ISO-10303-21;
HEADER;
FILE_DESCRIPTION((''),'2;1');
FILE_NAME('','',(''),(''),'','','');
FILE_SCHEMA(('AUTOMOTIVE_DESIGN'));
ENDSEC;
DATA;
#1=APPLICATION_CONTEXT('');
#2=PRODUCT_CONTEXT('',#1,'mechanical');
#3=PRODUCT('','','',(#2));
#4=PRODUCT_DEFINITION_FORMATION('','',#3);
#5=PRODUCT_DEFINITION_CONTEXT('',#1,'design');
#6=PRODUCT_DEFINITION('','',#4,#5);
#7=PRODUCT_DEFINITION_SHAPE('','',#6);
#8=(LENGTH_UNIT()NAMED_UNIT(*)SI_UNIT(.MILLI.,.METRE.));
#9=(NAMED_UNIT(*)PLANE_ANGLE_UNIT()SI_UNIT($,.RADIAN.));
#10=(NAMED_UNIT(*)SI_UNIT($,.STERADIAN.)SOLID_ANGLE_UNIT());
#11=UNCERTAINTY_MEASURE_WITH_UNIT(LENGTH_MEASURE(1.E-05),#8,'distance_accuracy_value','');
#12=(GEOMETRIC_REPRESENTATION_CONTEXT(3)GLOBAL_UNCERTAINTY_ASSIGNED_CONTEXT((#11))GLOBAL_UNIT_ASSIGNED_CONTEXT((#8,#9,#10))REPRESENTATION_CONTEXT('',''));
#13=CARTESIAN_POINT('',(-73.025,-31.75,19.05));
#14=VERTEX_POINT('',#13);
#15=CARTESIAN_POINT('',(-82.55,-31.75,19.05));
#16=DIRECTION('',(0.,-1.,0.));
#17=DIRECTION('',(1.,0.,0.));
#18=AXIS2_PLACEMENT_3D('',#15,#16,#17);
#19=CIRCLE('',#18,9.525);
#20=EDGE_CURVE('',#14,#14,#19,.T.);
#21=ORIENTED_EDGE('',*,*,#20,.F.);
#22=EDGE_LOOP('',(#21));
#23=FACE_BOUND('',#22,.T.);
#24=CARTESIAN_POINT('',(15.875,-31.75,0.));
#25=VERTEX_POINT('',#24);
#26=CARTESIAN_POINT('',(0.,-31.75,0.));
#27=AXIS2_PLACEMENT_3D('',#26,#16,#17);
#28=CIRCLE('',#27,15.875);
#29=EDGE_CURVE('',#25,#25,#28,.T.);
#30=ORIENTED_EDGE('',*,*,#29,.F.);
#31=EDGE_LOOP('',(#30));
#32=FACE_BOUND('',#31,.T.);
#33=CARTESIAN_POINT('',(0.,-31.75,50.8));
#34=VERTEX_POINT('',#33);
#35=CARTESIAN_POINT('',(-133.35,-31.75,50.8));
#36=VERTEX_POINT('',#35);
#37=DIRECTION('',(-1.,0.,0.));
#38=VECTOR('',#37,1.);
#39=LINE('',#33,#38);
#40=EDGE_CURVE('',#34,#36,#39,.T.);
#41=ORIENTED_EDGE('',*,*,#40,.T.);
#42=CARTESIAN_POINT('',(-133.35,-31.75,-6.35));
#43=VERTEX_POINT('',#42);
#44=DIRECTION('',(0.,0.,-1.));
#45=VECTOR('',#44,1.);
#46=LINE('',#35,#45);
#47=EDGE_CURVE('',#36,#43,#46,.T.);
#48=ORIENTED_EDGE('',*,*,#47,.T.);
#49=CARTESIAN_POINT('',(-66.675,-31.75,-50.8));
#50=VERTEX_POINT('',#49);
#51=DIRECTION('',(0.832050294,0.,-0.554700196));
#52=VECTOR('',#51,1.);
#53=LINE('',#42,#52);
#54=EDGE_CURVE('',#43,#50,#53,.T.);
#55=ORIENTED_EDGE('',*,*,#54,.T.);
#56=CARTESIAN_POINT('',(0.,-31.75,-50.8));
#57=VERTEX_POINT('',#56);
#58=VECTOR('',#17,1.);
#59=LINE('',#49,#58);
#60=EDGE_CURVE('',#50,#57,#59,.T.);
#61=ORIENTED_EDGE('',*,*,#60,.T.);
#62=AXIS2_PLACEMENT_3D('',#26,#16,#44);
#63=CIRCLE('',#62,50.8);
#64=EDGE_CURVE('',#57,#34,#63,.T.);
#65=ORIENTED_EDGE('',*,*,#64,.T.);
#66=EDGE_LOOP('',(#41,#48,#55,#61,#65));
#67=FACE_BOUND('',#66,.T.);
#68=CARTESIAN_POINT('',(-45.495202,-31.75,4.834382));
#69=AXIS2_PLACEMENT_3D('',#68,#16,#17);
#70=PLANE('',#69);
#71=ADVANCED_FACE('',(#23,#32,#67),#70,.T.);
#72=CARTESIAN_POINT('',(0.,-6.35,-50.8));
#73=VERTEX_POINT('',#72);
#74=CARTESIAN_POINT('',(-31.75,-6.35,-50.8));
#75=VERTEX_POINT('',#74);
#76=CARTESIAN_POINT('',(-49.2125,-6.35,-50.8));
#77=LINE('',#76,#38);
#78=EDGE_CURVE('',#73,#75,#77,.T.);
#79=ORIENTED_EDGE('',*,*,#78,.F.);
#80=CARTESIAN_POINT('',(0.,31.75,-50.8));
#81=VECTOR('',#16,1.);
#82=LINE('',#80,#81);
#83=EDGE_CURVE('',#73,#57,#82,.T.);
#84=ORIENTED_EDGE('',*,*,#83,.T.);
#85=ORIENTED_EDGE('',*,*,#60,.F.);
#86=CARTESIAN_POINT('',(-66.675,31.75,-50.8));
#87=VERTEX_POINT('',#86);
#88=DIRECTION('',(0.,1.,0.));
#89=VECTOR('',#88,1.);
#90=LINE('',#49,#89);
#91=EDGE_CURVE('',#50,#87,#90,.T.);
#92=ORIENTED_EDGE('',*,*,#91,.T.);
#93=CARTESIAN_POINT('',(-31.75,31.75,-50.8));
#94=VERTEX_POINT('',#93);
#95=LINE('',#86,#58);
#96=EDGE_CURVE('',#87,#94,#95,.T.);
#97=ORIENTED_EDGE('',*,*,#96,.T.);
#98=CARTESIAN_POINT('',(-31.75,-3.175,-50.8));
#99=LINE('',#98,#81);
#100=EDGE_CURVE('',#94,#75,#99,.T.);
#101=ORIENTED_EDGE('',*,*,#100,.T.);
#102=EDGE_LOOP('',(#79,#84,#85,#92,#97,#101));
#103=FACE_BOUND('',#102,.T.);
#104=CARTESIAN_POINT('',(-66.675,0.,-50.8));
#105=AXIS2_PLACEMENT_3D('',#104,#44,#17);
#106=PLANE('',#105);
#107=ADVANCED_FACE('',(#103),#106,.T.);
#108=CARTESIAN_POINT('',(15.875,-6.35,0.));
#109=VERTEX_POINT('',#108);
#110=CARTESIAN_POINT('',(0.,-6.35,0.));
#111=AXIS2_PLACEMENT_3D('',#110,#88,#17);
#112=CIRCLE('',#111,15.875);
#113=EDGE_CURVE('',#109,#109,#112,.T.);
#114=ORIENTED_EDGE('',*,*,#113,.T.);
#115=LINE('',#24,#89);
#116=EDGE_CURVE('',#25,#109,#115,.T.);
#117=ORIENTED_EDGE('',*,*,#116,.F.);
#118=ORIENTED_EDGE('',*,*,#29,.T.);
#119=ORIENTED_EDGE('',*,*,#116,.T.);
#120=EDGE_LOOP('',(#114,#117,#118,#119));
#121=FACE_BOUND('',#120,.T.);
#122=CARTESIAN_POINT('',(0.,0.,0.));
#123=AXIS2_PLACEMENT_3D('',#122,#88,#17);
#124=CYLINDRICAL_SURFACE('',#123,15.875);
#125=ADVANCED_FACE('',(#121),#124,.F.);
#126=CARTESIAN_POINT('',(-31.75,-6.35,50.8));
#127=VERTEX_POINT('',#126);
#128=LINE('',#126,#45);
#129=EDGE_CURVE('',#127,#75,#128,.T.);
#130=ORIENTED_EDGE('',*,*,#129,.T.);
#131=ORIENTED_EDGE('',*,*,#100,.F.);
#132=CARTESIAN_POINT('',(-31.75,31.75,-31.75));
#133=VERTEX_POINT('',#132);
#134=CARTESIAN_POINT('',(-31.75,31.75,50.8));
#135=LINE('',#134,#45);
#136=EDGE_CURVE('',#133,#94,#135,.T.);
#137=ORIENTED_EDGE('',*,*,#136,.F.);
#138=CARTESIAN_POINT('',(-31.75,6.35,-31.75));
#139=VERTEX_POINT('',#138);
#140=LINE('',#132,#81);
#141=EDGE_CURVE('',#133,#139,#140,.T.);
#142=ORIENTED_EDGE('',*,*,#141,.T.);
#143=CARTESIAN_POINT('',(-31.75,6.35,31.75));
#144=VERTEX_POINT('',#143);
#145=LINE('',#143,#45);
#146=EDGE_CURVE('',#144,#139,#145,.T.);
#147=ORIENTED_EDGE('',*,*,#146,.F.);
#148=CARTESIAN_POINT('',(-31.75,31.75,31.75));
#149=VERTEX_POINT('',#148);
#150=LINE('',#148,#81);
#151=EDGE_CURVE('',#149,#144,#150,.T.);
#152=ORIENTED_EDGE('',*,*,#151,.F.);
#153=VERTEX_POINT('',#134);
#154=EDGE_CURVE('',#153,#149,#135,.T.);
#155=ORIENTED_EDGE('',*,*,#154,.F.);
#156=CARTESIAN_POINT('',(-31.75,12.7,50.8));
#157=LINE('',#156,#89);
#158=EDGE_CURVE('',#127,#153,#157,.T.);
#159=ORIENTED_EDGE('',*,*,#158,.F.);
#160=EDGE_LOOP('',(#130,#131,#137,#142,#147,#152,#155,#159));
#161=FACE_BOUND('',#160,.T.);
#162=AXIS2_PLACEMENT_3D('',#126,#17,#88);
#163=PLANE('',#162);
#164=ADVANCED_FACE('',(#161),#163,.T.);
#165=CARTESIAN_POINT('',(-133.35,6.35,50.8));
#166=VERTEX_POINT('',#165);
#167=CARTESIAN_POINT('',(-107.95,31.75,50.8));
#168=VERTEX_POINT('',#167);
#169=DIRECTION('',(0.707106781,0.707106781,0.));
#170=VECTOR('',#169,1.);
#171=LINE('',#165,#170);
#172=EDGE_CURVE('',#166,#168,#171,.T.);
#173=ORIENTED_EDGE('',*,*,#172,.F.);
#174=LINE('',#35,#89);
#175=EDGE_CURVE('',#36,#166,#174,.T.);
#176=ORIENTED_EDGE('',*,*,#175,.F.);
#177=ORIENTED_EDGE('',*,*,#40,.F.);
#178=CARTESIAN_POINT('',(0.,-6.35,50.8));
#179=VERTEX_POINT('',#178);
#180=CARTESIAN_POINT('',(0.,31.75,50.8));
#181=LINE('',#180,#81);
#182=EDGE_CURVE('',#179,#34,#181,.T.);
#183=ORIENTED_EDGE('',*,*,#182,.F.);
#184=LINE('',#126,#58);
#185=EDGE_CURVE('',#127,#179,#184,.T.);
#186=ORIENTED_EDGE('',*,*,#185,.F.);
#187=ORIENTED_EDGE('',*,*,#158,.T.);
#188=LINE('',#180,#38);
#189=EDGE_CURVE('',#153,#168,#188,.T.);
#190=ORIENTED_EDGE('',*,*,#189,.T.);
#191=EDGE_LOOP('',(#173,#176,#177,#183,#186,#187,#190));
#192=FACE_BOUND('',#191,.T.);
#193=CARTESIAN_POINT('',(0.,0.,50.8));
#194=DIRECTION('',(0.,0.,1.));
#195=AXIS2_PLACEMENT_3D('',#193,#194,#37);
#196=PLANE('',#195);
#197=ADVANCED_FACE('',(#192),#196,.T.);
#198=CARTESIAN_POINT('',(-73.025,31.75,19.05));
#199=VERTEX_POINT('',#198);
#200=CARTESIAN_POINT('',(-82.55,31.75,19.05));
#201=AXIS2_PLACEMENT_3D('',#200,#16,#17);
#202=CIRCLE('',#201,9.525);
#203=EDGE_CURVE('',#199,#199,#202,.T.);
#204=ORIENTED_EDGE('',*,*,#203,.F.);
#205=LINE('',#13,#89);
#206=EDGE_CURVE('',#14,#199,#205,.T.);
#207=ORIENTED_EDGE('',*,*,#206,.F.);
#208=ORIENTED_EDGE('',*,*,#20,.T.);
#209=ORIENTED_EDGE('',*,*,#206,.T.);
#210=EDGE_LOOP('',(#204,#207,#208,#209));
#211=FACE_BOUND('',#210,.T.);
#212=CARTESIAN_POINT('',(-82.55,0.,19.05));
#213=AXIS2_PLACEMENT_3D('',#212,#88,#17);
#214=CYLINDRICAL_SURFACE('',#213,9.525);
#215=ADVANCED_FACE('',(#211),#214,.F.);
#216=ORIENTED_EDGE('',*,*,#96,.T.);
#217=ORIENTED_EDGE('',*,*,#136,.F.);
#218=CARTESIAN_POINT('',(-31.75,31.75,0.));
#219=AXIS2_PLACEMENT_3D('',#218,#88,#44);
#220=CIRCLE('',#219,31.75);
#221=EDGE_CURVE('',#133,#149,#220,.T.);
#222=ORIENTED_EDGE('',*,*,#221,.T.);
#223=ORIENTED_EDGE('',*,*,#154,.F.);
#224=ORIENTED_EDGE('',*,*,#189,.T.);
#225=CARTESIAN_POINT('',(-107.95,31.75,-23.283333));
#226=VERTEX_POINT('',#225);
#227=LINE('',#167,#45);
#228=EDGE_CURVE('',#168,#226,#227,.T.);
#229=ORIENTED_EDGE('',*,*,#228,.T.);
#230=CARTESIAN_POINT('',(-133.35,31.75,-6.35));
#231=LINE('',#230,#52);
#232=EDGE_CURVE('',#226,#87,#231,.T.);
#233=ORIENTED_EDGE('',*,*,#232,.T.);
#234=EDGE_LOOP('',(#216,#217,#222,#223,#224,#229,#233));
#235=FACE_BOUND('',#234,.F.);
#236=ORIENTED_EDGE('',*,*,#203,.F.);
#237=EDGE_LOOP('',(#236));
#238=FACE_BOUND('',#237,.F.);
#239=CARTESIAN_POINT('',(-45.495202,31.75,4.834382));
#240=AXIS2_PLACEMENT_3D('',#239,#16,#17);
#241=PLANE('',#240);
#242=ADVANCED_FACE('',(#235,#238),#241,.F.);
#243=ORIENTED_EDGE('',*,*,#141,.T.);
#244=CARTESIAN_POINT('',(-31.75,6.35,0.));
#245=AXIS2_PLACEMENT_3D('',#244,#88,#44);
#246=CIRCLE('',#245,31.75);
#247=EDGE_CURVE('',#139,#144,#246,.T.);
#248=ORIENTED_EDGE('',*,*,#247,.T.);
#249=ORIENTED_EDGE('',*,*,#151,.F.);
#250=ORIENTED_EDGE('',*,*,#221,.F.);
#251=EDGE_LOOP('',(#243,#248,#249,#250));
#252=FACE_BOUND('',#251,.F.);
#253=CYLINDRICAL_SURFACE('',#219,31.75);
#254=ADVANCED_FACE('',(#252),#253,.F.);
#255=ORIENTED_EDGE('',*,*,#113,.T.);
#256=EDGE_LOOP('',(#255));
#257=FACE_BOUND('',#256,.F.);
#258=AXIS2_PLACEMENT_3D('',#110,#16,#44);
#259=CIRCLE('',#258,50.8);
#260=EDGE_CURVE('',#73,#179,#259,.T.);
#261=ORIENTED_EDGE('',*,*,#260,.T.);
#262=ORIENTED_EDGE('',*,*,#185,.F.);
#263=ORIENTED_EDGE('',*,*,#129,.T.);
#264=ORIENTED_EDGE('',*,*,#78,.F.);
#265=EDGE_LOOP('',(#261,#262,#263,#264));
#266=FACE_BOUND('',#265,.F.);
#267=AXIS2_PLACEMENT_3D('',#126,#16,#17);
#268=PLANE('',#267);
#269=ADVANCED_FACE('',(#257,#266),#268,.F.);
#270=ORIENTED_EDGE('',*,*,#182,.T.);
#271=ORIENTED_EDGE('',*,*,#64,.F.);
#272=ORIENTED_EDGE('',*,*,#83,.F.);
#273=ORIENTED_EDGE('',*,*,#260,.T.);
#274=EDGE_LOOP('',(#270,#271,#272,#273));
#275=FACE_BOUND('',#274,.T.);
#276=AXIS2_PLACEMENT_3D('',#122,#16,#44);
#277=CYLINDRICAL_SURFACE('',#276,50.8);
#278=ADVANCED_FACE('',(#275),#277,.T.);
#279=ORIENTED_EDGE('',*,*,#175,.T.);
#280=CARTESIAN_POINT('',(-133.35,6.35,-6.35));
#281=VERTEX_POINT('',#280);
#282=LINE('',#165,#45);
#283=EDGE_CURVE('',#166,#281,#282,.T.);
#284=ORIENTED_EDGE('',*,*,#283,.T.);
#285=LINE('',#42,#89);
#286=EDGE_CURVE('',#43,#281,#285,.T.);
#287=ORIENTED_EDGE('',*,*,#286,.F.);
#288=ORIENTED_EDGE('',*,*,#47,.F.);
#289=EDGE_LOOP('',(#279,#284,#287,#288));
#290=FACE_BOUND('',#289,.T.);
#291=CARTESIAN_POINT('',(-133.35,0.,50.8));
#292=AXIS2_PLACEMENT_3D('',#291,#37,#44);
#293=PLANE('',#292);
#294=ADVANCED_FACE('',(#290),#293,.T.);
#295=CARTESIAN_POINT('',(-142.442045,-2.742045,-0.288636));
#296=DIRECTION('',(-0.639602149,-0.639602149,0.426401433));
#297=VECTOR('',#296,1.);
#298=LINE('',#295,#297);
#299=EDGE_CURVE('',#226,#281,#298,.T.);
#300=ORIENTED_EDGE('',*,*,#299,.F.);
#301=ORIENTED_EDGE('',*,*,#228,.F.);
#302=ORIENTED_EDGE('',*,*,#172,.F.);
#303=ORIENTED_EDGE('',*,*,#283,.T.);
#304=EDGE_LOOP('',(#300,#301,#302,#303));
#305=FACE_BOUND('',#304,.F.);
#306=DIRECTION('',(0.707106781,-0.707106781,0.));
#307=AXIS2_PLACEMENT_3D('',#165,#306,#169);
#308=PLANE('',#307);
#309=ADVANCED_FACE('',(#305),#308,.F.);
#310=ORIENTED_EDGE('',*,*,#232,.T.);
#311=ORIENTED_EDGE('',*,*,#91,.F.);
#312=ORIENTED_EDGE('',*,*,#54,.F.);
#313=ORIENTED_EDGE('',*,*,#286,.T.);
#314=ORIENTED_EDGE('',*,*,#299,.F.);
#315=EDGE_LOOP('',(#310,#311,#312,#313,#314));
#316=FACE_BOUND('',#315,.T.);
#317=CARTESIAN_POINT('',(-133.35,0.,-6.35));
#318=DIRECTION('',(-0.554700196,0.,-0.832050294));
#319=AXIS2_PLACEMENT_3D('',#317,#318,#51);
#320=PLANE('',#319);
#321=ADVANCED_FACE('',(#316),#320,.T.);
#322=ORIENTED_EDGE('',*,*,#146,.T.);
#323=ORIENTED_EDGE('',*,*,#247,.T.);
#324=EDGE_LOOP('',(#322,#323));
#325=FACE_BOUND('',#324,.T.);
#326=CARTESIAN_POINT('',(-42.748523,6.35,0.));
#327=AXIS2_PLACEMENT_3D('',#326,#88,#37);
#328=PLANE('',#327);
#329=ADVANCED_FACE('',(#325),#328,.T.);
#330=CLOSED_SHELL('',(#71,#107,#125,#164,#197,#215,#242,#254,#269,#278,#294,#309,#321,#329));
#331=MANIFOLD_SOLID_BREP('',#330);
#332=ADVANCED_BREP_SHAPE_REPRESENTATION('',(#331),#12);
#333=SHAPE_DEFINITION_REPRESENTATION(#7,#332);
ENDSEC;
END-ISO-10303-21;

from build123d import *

# Parameters (mm, degrees)
F0_R     = 9.525
F0_R_2   = 15.875
F1_DEPTH = 31.75
F2_W     = 50.8
F2_H     = 38.1
F2_W_2   = 31.75
F3_DEPTH = 127
F5_DEPTH = 25.4


with BuildPart() as f1:
    # F0 (on Front) → F1 (new body, symmetric)
    with BuildSketch(Plane.XZ):
        with BuildLine():
            Line((-66.675, -50.8), (0, -50.8))
            ThreePointArc((0, -50.8), (50.8, 0), (0, 50.8))
            Line((0, 50.8), (-133.35, 50.8))
            Line((-133.35, 50.8), (-133.35, -6.35))
            Line((-133.35, -6.35), (-66.675, -50.8))
        make_face()
        with Locations((-82.55, 19.05)):
            Circle(F0_R, mode=Mode.SUBTRACT)
        Circle(F0_R_2, mode=Mode.SUBTRACT)
    extrude(amount=F1_DEPTH, both=True)

    # F2 (on face) → F3 (cut)
    with BuildSketch(Plane.XY.offset(50.8)):
        Polygon((-133.35, 6.35), (-107.95, 31.75), (-133.35, 31.75), align=None)
        with Locations((25.4, 12.7)):
            Rectangle(F2_W, F2_H)
        with Locations((-15.875, 12.7)):
            Rectangle(F2_W_2, F2_H)
    extrude(amount=-F3_DEPTH, mode=Mode.SUBTRACT)

    # F4 (on face) → F5 (cut)
    with BuildSketch(Plane(origin=(0, 31.75, 0), x_dir=(-1, 0, 0), z_dir=(0, 1, 0))):
        with BuildLine():
            Line((31.75, 0), (31.75, -31.75))
            ThreePointArc((31.75, -31.75), (63.5, 0), (31.75, 31.75))
            Line((31.75, 31.75), (31.75, 0))
        make_face()
    extrude(amount=-F5_DEPTH, mode=Mode.SUBTRACT)


solid = f1.part
